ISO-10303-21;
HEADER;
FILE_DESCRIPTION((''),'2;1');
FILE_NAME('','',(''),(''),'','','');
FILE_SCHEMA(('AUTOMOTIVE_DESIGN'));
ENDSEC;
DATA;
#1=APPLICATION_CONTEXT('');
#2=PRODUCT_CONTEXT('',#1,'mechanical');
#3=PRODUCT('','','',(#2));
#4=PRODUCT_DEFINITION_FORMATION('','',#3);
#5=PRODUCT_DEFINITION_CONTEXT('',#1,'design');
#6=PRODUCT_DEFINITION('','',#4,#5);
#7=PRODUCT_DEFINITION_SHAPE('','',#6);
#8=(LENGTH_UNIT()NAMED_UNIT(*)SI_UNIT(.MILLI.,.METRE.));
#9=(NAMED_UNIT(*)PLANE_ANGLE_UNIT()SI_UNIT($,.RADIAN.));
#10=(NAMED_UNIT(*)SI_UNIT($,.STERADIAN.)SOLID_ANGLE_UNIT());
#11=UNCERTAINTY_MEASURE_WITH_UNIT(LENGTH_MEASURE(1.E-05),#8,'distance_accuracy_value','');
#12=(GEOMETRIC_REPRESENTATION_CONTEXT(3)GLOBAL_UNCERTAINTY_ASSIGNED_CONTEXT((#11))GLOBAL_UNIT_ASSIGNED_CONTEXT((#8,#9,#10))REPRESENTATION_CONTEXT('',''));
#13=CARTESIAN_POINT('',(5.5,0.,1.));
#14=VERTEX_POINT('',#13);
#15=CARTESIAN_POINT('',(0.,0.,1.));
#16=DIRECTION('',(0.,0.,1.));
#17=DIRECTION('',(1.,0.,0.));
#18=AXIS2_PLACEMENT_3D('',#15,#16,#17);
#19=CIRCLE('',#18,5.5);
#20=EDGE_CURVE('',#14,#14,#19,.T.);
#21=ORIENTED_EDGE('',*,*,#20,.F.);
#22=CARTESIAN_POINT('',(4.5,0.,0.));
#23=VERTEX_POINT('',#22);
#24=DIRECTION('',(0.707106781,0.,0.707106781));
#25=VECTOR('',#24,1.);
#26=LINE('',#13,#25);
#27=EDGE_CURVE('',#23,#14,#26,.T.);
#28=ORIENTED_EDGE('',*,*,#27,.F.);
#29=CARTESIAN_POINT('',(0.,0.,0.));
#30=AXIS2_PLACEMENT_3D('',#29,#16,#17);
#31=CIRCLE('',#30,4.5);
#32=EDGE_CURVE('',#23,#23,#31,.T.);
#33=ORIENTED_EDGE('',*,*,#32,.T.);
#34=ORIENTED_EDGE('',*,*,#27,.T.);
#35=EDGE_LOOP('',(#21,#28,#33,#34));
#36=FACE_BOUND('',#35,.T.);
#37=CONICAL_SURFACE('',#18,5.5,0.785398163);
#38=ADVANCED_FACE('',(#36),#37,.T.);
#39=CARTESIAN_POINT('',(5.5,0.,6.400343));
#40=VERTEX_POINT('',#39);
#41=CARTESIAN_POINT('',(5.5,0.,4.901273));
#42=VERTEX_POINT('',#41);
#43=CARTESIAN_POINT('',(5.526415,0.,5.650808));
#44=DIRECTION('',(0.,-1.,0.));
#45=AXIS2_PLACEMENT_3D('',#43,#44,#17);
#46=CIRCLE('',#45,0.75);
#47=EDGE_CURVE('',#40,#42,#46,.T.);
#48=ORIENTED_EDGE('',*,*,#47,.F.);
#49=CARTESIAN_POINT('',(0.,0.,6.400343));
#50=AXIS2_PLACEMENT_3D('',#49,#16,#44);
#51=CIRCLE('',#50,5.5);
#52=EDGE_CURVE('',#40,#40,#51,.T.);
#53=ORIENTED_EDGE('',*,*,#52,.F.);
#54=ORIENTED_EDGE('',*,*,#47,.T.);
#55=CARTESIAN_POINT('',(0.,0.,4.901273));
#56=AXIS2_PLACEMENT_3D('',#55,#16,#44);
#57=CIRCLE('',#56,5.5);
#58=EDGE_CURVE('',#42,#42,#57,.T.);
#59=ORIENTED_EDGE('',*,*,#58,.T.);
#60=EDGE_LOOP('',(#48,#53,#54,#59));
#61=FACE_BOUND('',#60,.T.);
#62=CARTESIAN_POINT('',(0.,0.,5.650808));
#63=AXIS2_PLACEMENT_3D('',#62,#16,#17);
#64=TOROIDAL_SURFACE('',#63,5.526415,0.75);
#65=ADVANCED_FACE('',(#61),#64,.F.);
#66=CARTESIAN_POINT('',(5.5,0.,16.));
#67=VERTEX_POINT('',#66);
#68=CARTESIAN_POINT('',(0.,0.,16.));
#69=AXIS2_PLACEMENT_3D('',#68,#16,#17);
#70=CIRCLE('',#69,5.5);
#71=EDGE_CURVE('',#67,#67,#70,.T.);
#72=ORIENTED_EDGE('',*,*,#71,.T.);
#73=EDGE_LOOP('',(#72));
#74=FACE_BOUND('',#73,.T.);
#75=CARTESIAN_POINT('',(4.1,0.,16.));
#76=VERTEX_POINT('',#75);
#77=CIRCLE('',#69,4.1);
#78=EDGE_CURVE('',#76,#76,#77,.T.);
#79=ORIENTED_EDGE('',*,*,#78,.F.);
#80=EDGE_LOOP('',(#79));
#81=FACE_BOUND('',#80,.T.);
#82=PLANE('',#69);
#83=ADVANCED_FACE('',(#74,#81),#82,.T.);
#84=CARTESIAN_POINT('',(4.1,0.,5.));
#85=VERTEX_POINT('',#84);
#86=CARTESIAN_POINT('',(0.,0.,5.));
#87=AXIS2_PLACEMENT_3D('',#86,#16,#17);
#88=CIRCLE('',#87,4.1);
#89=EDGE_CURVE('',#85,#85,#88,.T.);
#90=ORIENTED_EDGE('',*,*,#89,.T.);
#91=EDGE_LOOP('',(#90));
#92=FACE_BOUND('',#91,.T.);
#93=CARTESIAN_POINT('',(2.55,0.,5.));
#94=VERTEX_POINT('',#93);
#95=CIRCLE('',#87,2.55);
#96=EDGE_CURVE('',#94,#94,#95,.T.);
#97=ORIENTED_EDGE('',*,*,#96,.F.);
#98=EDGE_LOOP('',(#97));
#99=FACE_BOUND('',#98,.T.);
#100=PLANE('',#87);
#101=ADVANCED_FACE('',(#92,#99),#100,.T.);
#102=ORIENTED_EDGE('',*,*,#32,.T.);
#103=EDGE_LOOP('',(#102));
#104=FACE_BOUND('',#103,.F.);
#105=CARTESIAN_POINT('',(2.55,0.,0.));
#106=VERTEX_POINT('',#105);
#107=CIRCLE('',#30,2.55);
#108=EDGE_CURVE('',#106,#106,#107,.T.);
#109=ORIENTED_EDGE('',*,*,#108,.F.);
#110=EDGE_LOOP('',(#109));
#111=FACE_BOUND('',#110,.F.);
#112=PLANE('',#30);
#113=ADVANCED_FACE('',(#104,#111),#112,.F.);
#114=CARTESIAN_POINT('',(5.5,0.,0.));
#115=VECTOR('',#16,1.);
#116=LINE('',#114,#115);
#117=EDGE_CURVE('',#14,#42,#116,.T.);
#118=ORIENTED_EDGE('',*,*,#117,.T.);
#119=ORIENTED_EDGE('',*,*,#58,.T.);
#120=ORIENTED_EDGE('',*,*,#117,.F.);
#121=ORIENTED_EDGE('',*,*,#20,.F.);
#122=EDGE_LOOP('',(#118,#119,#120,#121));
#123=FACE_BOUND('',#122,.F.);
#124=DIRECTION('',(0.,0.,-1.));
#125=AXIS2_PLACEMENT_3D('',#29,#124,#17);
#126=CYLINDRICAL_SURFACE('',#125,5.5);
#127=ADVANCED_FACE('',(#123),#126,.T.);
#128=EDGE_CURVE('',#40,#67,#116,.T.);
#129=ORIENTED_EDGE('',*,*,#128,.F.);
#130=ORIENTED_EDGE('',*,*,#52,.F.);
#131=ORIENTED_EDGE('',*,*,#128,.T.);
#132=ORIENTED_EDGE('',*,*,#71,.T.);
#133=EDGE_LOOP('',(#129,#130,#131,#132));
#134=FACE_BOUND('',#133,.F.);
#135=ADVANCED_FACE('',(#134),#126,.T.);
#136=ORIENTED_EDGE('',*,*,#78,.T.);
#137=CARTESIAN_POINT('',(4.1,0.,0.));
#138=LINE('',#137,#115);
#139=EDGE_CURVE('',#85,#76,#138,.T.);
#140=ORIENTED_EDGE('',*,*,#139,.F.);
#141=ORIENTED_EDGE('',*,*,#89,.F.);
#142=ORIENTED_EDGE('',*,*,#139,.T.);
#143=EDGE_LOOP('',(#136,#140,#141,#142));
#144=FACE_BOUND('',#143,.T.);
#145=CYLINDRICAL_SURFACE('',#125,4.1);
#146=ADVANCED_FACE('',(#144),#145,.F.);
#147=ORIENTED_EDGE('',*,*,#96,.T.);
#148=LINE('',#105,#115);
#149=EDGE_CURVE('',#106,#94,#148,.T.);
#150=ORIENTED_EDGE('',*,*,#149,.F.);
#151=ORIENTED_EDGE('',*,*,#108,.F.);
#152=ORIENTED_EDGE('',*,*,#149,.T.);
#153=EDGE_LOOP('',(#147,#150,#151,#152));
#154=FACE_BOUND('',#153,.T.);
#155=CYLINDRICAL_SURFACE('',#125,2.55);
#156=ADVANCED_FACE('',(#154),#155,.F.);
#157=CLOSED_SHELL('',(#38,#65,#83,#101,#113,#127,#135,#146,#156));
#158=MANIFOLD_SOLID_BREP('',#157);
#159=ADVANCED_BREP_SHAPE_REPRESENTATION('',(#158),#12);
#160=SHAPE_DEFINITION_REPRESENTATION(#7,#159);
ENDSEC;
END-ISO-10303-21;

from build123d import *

# Parameters (mm, degrees)
F0_R     = 5.5
F0_R_2   = 4.1
F1_DEPTH = 16
F0_R_3   = 2.55
F2_DEPTH = 5
F3_SIZE  = 1
F4_R     = 0.75


with BuildPart() as f1:
    # F0 (on Top) → F1 (new body)
    with BuildSketch(Plane.XY):
        Circle(F0_R)
        Circle(F0_R_2, mode=Mode.SUBTRACT)
    extrude(amount=F1_DEPTH)

    # F0 (on Top) → F2 (join)
    with BuildSketch(Plane.XY):
        Circle(F0_R_2)
        Circle(F0_R_3, mode=Mode.SUBTRACT)
    extrude(amount=F2_DEPTH)

    # F3
    f3_edges = [f1.edges().sort_by_distance(p)[0] for p in [
        (-5.5, 0, 0),
    ]]
    chamfer(f3_edges, length=F3_SIZE)

    # F4 (on Front) → F5 (revolve, cut)
    with BuildSketch(Plane.XZ):
        with Locations((5.526415, 5.650808)):
            Circle(F4_R)
    revolve(axis=Axis((0, 0, 0), (0, 0, -1)), mode=Mode.SUBTRACT)


solid = f1.part
